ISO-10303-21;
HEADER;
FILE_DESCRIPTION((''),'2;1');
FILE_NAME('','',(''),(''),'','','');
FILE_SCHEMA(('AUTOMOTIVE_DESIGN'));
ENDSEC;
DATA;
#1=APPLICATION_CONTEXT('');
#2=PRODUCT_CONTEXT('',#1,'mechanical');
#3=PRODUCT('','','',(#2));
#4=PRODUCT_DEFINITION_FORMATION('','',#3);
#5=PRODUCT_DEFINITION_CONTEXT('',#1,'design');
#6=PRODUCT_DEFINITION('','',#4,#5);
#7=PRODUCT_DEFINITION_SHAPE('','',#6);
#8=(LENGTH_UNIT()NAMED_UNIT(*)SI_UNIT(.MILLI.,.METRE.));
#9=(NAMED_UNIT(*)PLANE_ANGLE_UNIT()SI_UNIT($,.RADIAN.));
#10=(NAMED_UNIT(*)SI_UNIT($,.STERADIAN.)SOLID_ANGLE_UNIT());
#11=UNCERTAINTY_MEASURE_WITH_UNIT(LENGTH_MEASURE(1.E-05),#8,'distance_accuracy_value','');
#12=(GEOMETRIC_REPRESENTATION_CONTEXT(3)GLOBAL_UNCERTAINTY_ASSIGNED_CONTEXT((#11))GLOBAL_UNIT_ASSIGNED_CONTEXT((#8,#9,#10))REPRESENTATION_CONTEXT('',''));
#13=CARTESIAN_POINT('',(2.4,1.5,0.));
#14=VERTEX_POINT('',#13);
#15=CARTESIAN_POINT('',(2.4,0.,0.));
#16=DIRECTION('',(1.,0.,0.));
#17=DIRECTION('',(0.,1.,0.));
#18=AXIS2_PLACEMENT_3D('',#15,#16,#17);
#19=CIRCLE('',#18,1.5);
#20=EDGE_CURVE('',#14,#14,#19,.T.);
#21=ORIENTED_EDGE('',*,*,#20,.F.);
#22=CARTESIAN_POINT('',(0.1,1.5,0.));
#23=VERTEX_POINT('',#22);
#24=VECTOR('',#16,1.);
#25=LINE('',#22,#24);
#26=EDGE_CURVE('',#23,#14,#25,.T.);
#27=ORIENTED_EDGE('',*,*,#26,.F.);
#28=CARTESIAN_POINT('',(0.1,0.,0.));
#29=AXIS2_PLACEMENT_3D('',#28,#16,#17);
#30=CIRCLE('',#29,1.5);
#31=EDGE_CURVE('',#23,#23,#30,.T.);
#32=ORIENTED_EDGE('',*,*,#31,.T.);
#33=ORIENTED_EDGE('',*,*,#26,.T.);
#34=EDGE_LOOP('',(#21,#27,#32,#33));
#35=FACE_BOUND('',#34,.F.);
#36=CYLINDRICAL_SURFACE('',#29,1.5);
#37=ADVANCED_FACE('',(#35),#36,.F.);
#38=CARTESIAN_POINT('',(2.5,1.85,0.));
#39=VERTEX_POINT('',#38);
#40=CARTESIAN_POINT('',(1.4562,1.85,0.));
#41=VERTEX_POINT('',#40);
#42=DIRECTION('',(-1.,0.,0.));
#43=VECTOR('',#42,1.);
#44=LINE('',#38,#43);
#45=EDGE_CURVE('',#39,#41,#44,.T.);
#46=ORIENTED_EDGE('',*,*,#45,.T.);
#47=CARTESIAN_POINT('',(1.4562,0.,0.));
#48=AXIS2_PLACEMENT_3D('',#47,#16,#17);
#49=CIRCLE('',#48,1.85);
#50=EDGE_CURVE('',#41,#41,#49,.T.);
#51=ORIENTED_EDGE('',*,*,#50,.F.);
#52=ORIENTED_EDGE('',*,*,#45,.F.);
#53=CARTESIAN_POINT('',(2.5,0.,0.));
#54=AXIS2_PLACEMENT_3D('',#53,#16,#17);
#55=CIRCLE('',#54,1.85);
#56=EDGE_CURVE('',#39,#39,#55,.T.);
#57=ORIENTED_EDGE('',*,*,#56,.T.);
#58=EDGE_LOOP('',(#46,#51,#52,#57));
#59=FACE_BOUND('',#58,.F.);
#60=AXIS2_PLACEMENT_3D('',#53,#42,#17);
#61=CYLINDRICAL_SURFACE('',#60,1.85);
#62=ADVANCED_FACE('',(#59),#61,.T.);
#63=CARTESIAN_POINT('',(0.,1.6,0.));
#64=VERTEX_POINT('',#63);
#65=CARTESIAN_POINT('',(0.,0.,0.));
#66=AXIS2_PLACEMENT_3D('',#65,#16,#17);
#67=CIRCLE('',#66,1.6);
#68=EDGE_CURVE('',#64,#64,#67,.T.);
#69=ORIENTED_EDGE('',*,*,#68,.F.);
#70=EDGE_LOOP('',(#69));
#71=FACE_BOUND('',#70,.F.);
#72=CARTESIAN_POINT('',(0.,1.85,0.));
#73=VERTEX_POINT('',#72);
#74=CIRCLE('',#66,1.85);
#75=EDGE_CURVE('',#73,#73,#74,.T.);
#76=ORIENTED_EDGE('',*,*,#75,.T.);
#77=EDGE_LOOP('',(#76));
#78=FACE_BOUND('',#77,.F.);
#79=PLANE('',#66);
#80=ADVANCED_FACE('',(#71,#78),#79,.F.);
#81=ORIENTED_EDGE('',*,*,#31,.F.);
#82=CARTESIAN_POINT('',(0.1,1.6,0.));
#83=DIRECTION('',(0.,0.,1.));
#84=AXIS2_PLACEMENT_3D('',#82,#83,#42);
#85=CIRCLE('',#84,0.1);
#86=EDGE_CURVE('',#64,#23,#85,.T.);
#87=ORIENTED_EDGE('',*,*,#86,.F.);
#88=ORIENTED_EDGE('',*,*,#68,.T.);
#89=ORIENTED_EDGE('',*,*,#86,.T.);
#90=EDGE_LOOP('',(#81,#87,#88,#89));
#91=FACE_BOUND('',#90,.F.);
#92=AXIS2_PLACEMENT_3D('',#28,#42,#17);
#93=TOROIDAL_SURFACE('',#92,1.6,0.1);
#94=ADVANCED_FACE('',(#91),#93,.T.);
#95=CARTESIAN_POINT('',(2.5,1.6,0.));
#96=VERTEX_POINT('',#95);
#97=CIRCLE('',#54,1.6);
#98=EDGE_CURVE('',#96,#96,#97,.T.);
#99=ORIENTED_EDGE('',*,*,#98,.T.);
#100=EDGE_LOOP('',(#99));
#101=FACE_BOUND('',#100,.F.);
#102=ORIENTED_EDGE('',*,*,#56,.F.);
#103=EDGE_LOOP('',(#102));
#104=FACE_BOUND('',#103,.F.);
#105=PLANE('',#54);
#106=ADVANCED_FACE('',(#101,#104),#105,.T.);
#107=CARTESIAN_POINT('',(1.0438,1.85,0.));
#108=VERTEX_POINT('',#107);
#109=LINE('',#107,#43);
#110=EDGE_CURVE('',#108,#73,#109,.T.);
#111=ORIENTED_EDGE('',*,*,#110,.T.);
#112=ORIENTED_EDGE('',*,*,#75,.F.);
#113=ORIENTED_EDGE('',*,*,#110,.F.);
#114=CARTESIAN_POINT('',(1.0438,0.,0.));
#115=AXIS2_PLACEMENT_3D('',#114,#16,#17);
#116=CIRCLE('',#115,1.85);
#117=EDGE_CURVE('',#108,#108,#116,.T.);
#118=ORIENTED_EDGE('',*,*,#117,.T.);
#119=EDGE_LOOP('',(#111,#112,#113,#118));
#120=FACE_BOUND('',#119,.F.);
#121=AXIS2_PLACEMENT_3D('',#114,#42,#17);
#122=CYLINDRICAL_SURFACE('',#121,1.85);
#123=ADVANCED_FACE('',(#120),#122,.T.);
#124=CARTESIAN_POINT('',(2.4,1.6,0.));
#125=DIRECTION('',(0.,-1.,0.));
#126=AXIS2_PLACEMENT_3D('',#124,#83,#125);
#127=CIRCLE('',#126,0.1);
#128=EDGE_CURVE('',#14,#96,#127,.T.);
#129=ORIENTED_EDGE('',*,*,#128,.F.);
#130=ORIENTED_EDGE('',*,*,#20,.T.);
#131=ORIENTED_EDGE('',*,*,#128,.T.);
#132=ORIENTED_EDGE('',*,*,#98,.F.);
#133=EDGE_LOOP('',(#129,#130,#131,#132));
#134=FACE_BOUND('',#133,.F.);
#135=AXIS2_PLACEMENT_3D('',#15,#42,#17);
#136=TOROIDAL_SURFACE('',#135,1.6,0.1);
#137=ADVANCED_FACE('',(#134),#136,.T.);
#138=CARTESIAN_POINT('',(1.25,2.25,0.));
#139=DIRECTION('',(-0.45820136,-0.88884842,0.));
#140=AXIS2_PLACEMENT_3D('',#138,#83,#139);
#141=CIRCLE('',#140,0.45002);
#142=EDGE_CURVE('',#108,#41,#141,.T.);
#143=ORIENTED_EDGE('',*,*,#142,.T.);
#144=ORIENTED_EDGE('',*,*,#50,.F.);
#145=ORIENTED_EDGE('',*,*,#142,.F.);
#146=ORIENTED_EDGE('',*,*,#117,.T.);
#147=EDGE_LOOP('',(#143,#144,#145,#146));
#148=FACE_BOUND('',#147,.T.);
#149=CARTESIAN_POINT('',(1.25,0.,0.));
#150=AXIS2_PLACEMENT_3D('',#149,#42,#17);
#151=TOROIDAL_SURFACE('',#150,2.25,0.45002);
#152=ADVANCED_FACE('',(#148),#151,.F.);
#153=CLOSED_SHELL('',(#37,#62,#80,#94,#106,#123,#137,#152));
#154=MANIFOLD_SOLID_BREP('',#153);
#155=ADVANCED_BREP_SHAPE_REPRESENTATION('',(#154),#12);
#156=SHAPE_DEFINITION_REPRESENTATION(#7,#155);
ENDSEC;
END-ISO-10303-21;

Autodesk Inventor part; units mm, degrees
sketch "Sketch_1" plane through (0, 0, 0) normal (0, 0, 1) x (1, 0, 0)
  line L0 (2.5, 0) -> (0, 0)
  arc A0 (0, 1.6) -> (0.1, 1.5) centre (0.1, 1.6) ccw
  line L1 (0.1, 1.5) -> (2.4, 1.5)
  arc A1 (2.4, 1.5) -> (2.5, 1.6) centre (2.4, 1.6) ccw
  line L2 (2.5, 1.6) -> (2.5, 1.85)
  line L3 (2.5, 1.85) -> (1.4562, 1.85)
  arc A2 (1.0438, 1.85) -> (1.4562, 1.85) centre (1.25, 2.25) ccw
  line L4 (1.0438, 1.85) -> (0, 1.85)
  line L5 (0, 1.85) -> (0, 1.6)
revolve "Revolution1" add sketch "Sketch_1" angle 360 about axis through (2.5, 0, 0) along (1, 0, 0)
ref_plane "ip_st_1_1_XY" through (1.25, 2.25, 0) normal (1, 0, 0) x (0, 0, -1)
ref_plane "ip_st_1_1_YZ" through (1.25, 2.25, 0) normal (0, 0, -1) x (0, 1, 0)
ref_plane "ip_st_1_1_ZX" through (1.25, 2.25, 0) normal (0, 1, 0) x (1, 0, 0)
ref_plane "ip_st_1_10_XY" through (1.25, 0, -2.25) normal (1, 0, 0) x (0, 0, -1)
ref_plane "ip_st_1_10_YZ" through (1.25, 0, -2.25) normal (0, 0, -1) x (0, 1, 0)
ref_plane "ip_st_1_10_ZX" through (1.25, 0, -2.25) normal (0, 1, 0) x (1, 0, 0)
ref_plane "ip_st_1_11_XY" through (1.25, 1.125, -1.9486) normal (1, 0, 0) x (0, 0, -1)
ref_plane "ip_st_1_11_YZ" through (1.25, 1.125, -1.9486) normal (0, 0, -1) x (0, 1, 0)
ref_plane "ip_st_1_11_ZX" through (1.25, 1.125, -1.9486) normal (0, 1, 0) x (1, 0, 0)
ref_plane "ip_st_1_12_XY" through (1.25, 1.9486, -1.125) normal (1, 0, 0) x (0, 0, -1)
ref_plane "ip_st_1_12_YZ" through (1.25, 1.9486, -1.125) normal (0, 0, -1) x (0, 1, 0)
ref_plane "ip_st_1_12_ZX" through (1.25, 1.9486, -1.125) normal (0, 1, 0) x (1, 0, 0)
ref_plane "ip_st_1_2_XY" through (1.25, 1.9486, 1.125) normal (1, 0, 0) x (0, 0, -1)
ref_plane "ip_st_1_2_YZ" through (1.25, 1.9486, 1.125) normal (0, 0, -1) x (0, 1, 0)
ref_plane "ip_st_1_2_ZX" through (1.25, 1.9486, 1.125) normal (0, 1, 0) x (1, 0, 0)
ref_plane "ip_st_1_3_XY" through (1.25, 1.125, 1.9486) normal (1, 0, 0) x (0, 0, -1)
ref_plane "ip_st_1_3_YZ" through (1.25, 1.125, 1.9486) normal (0, 0, -1) x (0, 1, 0)
ref_plane "ip_st_1_3_ZX" through (1.25, 1.125, 1.9486) normal (0, 1, 0) x (1, 0, 0)
ref_plane "ip_st_1_4_XY" through (1.25, 0, 2.25) normal (1, 0, 0) x (0, 0, -1)
ref_plane "ip_st_1_4_YZ" through (1.25, 0, 2.25) normal (0, 0, -1) x (0, 1, 0)
ref_plane "ip_st_1_4_ZX" through (1.25, 0, 2.25) normal (0, 1, 0) x (1, 0, 0)
ref_plane "ip_st_1_5_XY" through (1.25, -1.125, 1.9486) normal (1, 0, 0) x (0, 0, -1)
ref_plane "ip_st_1_5_YZ" through (1.25, -1.125, 1.9486) normal (0, 0, -1) x (0, 1, 0)
ref_plane "ip_st_1_5_ZX" through (1.25, -1.125, 1.9486) normal (0, 1, 0) x (1, 0, 0)
ref_plane "ip_st_1_6_XY" through (1.25, -1.9486, 1.125) normal (1, 0, 0) x (0, 0, -1)
ref_plane "ip_st_1_6_YZ" through (1.25, -1.9486, 1.125) normal (0, 0, -1) x (0, 1, 0)
ref_plane "ip_st_1_6_ZX" through (1.25, -1.9486, 1.125) normal (0, 1, 0) x (1, 0, 0)
ref_plane "ip_st_1_7_XY" through (1.25, -2.25, 0) normal (1, 0, 0) x (0, 0, -1)
ref_plane "ip_st_1_7_YZ" through (1.25, -2.25, 0) normal (0, 0, -1) x (0, 1, 0)
ref_plane "ip_st_1_7_ZX" through (1.25, -2.25, 0) normal (0, 1, 0) x (1, 0, 0)
ref_plane "ip_st_1_8_XY" through (1.25, -1.9486, -1.125) normal (1, 0, 0) x (0, 0, -1)
ref_plane "ip_st_1_8_YZ" through (1.25, -1.9486, -1.125) normal (0, 0, -1) x (0, 1, 0)
ref_plane "ip_st_1_8_ZX" through (1.25, -1.9486, -1.125) normal (0, 1, 0) x (1, 0, 0)
ref_plane "ip_st_1_9_XY" through (1.25, -1.125, -1.9486) normal (1, 0, 0) x (0, 0, -1)
ref_plane "ip_st_1_9_YZ" through (1.25, -1.125, -1.9486) normal (0, 0, -1) x (0, 1, 0)
ref_plane "ip_st_1_9_ZX" through (1.25, -1.125, -1.9486) normal (0, 1, 0) x (1, 0, 0)
ref_plane "ip_st_1a_XY" through (0, 0, 0) normal (1, 0, 0) x (0, 0, -1)
ref_plane "ip_st_1a_YZ" through (0, 0, 0) normal (0, 0, -1) x (0, 1, 0)
ref_plane "ip_st_1a_ZX" through (0, 0, 0) normal (0, 1, 0) x (1, 0, 0)
ref_plane "ip_st_2a_XY" through (0.1562, 0, 0) normal (1, 0, 0) x (0, 0, -1)
ref_plane "ip_st_2a_YZ" through (0.1562, 0, 0) normal (0, 0, -1) x (0, 1, 0)
ref_plane "ip_st_2a_ZX" through (0.1562, 0, 0) normal (0, 1, 0) x (1, 0, 0)
properties part number "MF63ZZ Inner Ring"
